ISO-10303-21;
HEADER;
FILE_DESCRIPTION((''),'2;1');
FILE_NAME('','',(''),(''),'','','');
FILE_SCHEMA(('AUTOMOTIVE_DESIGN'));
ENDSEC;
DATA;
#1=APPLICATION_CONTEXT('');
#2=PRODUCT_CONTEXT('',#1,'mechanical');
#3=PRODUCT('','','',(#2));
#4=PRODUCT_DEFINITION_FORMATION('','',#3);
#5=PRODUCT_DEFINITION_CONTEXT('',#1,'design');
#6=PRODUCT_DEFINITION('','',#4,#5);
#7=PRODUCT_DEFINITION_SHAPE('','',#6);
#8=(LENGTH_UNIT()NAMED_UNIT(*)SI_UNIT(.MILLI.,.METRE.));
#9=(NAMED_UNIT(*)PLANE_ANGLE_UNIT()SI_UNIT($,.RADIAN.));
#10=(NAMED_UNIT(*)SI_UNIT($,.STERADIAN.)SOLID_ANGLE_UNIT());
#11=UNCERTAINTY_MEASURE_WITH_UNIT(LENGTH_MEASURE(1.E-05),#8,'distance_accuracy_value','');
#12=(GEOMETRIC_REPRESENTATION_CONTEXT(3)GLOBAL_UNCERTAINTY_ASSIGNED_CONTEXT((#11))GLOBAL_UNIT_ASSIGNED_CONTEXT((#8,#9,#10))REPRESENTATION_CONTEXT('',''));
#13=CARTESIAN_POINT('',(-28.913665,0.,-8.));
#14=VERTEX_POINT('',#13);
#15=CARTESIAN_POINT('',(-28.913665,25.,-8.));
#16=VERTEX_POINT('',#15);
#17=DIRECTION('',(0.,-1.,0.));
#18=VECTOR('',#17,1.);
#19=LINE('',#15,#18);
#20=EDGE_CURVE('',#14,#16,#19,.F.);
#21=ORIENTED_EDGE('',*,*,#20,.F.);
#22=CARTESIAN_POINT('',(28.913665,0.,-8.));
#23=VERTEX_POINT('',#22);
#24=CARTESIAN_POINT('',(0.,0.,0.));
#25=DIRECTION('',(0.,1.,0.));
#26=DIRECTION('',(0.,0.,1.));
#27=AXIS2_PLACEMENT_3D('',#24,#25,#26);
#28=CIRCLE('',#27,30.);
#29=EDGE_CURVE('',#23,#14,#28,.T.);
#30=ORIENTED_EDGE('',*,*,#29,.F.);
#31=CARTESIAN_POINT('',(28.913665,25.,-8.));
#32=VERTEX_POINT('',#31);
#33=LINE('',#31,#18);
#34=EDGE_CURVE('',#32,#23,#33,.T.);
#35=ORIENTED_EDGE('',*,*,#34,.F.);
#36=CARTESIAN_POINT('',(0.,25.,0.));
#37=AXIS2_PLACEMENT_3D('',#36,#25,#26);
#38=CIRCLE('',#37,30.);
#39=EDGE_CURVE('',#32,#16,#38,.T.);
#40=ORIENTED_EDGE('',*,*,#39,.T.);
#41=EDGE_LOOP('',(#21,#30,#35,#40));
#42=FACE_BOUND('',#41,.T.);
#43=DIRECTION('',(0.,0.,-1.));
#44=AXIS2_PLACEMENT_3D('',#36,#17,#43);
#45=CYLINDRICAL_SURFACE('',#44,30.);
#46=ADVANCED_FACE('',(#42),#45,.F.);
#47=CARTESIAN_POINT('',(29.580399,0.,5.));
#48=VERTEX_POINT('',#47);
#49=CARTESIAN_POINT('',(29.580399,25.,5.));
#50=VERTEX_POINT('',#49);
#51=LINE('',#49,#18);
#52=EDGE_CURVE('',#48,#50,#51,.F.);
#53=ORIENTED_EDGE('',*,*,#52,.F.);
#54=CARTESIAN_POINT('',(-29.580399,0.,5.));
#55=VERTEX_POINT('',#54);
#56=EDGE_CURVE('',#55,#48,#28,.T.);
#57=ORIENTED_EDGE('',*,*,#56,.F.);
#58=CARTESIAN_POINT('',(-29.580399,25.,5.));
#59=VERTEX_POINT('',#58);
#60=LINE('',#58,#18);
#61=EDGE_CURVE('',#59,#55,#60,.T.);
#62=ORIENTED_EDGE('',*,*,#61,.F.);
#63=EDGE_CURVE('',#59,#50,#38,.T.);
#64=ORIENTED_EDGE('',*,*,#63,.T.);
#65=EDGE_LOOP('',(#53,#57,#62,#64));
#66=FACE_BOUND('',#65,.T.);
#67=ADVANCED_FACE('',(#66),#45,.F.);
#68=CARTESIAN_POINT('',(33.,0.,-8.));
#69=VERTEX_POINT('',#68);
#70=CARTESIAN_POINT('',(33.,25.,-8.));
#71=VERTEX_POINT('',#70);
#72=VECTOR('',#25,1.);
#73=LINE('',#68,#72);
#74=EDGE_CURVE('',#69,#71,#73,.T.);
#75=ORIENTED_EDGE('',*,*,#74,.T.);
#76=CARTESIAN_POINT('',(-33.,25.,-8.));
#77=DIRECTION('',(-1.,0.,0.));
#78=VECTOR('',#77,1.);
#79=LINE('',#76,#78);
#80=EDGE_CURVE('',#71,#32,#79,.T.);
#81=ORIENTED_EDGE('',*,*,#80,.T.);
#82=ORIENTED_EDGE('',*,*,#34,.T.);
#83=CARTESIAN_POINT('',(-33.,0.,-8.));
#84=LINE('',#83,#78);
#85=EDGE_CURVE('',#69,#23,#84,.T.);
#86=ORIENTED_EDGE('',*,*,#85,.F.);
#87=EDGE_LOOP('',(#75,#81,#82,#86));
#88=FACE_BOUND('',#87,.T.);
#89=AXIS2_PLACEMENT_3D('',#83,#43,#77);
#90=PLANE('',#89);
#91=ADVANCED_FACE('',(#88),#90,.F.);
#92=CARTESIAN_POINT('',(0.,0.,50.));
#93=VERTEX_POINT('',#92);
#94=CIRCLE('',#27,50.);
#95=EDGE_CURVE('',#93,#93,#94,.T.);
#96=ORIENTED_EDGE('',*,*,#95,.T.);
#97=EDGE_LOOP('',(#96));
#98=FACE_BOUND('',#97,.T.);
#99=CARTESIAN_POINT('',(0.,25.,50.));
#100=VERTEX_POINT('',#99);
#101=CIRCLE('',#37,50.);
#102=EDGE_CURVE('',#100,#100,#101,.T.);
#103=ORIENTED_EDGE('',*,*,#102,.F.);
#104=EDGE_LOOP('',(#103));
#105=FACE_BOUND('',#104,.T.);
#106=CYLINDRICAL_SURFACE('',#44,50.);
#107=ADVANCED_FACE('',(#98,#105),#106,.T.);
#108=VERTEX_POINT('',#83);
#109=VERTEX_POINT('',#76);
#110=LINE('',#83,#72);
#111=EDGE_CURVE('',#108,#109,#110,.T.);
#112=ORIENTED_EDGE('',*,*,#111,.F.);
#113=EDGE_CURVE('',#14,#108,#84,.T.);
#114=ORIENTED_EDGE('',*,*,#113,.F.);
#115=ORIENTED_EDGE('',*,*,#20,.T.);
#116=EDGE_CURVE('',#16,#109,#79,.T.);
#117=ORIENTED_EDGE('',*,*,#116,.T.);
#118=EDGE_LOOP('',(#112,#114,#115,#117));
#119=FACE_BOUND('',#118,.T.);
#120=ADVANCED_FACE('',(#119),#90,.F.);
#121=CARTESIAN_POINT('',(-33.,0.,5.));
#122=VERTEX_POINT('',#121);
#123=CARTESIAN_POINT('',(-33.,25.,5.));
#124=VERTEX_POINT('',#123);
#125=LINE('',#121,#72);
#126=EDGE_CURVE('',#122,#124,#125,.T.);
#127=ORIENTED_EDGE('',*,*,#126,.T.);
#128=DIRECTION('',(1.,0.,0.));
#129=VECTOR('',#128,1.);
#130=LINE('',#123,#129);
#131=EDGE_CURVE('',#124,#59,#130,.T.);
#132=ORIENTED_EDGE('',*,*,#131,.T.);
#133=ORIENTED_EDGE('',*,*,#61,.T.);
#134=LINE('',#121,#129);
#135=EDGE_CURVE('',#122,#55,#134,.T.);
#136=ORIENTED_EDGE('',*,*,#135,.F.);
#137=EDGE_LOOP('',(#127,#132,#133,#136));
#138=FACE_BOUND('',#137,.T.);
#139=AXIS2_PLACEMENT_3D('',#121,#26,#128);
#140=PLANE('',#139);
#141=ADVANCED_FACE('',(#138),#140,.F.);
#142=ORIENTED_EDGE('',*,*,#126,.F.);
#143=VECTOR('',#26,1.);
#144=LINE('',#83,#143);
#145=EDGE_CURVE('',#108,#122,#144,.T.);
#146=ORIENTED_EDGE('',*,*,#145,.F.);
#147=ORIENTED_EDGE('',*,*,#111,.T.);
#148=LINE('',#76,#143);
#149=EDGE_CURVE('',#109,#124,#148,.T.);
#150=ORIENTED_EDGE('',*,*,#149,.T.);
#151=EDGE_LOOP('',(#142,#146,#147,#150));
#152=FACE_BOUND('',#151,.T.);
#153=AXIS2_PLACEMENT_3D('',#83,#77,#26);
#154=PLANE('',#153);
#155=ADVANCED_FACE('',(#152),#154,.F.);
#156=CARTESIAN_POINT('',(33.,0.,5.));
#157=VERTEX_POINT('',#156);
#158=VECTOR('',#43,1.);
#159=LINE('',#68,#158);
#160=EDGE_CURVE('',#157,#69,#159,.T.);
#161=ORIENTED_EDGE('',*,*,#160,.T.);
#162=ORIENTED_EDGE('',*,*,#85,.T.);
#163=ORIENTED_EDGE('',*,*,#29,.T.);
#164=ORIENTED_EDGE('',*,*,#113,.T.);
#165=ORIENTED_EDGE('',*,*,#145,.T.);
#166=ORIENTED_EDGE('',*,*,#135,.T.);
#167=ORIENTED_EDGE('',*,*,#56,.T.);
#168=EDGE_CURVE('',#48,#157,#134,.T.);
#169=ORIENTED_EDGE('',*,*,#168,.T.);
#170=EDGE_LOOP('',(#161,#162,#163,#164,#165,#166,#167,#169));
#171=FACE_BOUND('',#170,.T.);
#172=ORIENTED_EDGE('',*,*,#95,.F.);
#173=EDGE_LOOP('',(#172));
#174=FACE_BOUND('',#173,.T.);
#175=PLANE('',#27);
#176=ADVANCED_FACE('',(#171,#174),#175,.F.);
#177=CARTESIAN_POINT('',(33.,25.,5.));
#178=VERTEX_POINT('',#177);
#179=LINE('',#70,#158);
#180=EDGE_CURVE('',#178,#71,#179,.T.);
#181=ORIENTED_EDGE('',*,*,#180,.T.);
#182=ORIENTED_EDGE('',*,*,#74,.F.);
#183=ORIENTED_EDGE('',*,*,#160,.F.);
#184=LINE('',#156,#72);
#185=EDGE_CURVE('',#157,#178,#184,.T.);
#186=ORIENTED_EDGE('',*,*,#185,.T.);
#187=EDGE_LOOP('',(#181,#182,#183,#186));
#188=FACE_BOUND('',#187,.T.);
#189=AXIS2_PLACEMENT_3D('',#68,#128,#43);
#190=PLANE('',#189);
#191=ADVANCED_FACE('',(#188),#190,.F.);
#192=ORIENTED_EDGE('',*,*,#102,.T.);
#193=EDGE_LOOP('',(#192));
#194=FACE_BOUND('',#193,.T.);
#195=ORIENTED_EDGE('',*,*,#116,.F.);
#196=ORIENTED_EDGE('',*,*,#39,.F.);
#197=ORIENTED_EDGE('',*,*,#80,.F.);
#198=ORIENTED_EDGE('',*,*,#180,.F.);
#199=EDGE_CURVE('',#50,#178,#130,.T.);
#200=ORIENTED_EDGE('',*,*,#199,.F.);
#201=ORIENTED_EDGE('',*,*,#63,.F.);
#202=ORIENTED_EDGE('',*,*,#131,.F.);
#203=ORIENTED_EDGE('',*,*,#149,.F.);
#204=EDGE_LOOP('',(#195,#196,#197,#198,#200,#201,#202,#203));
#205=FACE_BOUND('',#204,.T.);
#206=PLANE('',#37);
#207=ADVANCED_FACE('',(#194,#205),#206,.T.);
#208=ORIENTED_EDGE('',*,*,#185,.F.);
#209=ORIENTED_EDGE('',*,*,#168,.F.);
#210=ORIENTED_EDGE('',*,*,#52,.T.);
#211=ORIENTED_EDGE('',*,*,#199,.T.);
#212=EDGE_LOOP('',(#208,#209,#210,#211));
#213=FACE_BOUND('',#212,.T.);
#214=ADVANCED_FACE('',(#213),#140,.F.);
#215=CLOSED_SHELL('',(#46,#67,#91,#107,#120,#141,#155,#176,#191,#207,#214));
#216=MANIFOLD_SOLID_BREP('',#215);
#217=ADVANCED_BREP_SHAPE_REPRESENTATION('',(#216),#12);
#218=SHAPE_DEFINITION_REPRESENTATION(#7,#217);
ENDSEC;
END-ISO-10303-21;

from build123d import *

# Parameters (mm, degrees)
SKETCH2_R           = 50
SKETCH2_R_2         = 30
BOSS_EXTRUDE1_DEPTH = 25
SKETCH3_W           = 66
SKETCH3_H           = 13
CUT_EXTRUDE1_DEPTH  = 25


with BuildPart() as part:
    # Sketch2 → Boss-Extrude1 (new body)
    with BuildSketch(Plane(origin=(0, 0, 0), x_dir=(1, 0, 0), z_dir=(0, 1, 0))):
        with Locations(Location((0, 0, 0), (0, 0, 270))):
            Circle(SKETCH2_R)
        with Locations(Location((0, 0, 0), (0, 0, 270))):
            Circle(SKETCH2_R_2, mode=Mode.SUBTRACT)
    extrude(amount=BOSS_EXTRUDE1_DEPTH)

    # Sketch3 → Cut-Extrude1 (cut)
    with BuildSketch(Plane(origin=(0, 25, 0), x_dir=(1, 0, 0), z_dir=(0, 1, 0))):
        with Locations((0, 1.5)):
            Rectangle(SKETCH3_W, SKETCH3_H)
    extrude(amount=-CUT_EXTRUDE1_DEPTH, mode=Mode.SUBTRACT)


solid = part.part
